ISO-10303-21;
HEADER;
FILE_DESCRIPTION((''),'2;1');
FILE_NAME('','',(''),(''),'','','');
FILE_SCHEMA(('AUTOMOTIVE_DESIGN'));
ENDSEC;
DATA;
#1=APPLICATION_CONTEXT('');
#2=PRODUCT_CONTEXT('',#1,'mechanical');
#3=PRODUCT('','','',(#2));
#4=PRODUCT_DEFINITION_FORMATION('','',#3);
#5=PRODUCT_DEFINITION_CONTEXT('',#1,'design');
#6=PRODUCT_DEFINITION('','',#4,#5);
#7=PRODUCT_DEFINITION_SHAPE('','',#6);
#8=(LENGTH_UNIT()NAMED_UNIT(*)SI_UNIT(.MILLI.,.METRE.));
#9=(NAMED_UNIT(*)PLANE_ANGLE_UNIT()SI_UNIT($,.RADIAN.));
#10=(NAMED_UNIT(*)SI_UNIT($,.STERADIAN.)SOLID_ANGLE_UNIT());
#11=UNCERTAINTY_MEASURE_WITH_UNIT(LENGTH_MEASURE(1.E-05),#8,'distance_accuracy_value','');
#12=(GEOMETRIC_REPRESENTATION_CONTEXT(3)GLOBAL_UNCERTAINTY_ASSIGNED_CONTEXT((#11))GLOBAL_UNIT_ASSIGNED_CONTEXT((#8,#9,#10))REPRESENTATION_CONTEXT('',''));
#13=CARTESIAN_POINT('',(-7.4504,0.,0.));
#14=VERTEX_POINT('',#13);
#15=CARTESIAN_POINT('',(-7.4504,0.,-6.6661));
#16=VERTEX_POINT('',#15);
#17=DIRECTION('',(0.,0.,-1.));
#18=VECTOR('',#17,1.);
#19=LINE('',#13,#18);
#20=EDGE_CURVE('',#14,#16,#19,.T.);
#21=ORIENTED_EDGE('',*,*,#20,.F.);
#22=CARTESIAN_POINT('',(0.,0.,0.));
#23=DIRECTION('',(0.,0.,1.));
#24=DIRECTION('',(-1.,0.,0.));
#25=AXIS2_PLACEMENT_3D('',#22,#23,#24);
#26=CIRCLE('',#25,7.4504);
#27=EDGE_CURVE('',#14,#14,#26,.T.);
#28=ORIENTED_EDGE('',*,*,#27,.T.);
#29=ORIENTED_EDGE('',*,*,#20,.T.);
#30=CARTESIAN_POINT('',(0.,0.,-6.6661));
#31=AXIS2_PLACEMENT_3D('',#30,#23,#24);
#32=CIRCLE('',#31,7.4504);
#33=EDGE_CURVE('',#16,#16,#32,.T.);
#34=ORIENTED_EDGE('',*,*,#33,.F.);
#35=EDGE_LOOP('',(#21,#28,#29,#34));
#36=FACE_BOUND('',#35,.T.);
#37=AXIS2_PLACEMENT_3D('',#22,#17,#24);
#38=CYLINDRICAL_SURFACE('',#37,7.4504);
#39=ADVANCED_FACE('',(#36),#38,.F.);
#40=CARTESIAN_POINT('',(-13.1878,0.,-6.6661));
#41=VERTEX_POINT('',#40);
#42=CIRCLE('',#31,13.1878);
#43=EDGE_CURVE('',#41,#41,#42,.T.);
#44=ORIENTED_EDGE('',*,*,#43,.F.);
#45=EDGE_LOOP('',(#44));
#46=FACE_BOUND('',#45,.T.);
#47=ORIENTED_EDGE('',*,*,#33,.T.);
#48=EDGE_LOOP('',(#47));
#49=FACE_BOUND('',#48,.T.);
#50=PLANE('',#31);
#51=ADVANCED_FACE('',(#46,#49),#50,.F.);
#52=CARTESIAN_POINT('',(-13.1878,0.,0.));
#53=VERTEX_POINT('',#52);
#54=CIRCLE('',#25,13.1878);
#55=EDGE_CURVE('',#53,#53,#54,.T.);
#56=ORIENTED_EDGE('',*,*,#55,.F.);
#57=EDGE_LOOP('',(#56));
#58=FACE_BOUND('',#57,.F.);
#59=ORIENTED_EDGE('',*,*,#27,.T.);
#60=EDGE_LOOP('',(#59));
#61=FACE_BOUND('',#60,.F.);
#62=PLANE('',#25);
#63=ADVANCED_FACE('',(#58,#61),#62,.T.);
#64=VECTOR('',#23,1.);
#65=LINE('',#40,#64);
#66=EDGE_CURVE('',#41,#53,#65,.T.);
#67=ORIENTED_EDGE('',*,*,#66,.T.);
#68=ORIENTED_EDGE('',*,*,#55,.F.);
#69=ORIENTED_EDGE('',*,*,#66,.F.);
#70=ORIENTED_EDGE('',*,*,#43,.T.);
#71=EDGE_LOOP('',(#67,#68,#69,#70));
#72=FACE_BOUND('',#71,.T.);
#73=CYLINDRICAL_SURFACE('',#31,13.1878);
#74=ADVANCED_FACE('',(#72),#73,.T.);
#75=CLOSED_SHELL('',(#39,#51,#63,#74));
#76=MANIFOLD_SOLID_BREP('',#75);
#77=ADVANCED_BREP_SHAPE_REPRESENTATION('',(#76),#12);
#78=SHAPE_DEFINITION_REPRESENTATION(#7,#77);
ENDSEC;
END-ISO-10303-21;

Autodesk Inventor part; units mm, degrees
ref_plane "YZ Plane" through (0, 0, 0) normal (1, 0, 0) x (0, 1, 0)
ref_plane "XZ Plane" through (0, 0, 0) normal (0, 1, 0) x (-1, 0, 0)
ref_plane "XY Plane" through (0, 0, 0) normal (0, 0, 1) x (1, 0, 0)
sketch "Sketch1" plane through (0, 0, 0) normal (0, 1, 0) x (-1, 0, 0)
  line L0 (0, 0) -> (13.518, 0)
  line L1 (13.518, 0) -> (13.518, -15.5818)
  line L2 (13.518, -15.5818) -> (0, -15.5818)
  line L3 (0, -15.5818) -> (0, 0)
  line L4 (13.1878, 0) -> (7.4504, 0)
  line L5 (7.4504, 0) -> (7.4504, -6.6661)
  line L6 (7.4504, -6.6661) -> (13.1878, -6.6661)
  line L7 (13.1878, -6.6661) -> (13.1878, 0)
  line L8 (6.3359, -10.4223) -> (3.0338, -10.4223)
  line L9 (3.0338, -10.4223) -> (3.0338, -12.8163)
  line L10 (3.0338, -12.8163) -> (6.3359, -12.8163)
  line L11 (6.3359, -12.8163) -> (6.3359, -10.4223)
revolve "Revolution1" add sketch "Sketch1" angle 360 about axis through (0, 0, -15.5818) along (0, 0, 1) contours L0 L7 L6 L5
sketch "Sketch2" plane through (0, 0, -6.6661) normal (0, 0, -1) x (-1, 0, 0)
  circle A0 centre (0, 0) radius 13.1878
properties part number "test part"
